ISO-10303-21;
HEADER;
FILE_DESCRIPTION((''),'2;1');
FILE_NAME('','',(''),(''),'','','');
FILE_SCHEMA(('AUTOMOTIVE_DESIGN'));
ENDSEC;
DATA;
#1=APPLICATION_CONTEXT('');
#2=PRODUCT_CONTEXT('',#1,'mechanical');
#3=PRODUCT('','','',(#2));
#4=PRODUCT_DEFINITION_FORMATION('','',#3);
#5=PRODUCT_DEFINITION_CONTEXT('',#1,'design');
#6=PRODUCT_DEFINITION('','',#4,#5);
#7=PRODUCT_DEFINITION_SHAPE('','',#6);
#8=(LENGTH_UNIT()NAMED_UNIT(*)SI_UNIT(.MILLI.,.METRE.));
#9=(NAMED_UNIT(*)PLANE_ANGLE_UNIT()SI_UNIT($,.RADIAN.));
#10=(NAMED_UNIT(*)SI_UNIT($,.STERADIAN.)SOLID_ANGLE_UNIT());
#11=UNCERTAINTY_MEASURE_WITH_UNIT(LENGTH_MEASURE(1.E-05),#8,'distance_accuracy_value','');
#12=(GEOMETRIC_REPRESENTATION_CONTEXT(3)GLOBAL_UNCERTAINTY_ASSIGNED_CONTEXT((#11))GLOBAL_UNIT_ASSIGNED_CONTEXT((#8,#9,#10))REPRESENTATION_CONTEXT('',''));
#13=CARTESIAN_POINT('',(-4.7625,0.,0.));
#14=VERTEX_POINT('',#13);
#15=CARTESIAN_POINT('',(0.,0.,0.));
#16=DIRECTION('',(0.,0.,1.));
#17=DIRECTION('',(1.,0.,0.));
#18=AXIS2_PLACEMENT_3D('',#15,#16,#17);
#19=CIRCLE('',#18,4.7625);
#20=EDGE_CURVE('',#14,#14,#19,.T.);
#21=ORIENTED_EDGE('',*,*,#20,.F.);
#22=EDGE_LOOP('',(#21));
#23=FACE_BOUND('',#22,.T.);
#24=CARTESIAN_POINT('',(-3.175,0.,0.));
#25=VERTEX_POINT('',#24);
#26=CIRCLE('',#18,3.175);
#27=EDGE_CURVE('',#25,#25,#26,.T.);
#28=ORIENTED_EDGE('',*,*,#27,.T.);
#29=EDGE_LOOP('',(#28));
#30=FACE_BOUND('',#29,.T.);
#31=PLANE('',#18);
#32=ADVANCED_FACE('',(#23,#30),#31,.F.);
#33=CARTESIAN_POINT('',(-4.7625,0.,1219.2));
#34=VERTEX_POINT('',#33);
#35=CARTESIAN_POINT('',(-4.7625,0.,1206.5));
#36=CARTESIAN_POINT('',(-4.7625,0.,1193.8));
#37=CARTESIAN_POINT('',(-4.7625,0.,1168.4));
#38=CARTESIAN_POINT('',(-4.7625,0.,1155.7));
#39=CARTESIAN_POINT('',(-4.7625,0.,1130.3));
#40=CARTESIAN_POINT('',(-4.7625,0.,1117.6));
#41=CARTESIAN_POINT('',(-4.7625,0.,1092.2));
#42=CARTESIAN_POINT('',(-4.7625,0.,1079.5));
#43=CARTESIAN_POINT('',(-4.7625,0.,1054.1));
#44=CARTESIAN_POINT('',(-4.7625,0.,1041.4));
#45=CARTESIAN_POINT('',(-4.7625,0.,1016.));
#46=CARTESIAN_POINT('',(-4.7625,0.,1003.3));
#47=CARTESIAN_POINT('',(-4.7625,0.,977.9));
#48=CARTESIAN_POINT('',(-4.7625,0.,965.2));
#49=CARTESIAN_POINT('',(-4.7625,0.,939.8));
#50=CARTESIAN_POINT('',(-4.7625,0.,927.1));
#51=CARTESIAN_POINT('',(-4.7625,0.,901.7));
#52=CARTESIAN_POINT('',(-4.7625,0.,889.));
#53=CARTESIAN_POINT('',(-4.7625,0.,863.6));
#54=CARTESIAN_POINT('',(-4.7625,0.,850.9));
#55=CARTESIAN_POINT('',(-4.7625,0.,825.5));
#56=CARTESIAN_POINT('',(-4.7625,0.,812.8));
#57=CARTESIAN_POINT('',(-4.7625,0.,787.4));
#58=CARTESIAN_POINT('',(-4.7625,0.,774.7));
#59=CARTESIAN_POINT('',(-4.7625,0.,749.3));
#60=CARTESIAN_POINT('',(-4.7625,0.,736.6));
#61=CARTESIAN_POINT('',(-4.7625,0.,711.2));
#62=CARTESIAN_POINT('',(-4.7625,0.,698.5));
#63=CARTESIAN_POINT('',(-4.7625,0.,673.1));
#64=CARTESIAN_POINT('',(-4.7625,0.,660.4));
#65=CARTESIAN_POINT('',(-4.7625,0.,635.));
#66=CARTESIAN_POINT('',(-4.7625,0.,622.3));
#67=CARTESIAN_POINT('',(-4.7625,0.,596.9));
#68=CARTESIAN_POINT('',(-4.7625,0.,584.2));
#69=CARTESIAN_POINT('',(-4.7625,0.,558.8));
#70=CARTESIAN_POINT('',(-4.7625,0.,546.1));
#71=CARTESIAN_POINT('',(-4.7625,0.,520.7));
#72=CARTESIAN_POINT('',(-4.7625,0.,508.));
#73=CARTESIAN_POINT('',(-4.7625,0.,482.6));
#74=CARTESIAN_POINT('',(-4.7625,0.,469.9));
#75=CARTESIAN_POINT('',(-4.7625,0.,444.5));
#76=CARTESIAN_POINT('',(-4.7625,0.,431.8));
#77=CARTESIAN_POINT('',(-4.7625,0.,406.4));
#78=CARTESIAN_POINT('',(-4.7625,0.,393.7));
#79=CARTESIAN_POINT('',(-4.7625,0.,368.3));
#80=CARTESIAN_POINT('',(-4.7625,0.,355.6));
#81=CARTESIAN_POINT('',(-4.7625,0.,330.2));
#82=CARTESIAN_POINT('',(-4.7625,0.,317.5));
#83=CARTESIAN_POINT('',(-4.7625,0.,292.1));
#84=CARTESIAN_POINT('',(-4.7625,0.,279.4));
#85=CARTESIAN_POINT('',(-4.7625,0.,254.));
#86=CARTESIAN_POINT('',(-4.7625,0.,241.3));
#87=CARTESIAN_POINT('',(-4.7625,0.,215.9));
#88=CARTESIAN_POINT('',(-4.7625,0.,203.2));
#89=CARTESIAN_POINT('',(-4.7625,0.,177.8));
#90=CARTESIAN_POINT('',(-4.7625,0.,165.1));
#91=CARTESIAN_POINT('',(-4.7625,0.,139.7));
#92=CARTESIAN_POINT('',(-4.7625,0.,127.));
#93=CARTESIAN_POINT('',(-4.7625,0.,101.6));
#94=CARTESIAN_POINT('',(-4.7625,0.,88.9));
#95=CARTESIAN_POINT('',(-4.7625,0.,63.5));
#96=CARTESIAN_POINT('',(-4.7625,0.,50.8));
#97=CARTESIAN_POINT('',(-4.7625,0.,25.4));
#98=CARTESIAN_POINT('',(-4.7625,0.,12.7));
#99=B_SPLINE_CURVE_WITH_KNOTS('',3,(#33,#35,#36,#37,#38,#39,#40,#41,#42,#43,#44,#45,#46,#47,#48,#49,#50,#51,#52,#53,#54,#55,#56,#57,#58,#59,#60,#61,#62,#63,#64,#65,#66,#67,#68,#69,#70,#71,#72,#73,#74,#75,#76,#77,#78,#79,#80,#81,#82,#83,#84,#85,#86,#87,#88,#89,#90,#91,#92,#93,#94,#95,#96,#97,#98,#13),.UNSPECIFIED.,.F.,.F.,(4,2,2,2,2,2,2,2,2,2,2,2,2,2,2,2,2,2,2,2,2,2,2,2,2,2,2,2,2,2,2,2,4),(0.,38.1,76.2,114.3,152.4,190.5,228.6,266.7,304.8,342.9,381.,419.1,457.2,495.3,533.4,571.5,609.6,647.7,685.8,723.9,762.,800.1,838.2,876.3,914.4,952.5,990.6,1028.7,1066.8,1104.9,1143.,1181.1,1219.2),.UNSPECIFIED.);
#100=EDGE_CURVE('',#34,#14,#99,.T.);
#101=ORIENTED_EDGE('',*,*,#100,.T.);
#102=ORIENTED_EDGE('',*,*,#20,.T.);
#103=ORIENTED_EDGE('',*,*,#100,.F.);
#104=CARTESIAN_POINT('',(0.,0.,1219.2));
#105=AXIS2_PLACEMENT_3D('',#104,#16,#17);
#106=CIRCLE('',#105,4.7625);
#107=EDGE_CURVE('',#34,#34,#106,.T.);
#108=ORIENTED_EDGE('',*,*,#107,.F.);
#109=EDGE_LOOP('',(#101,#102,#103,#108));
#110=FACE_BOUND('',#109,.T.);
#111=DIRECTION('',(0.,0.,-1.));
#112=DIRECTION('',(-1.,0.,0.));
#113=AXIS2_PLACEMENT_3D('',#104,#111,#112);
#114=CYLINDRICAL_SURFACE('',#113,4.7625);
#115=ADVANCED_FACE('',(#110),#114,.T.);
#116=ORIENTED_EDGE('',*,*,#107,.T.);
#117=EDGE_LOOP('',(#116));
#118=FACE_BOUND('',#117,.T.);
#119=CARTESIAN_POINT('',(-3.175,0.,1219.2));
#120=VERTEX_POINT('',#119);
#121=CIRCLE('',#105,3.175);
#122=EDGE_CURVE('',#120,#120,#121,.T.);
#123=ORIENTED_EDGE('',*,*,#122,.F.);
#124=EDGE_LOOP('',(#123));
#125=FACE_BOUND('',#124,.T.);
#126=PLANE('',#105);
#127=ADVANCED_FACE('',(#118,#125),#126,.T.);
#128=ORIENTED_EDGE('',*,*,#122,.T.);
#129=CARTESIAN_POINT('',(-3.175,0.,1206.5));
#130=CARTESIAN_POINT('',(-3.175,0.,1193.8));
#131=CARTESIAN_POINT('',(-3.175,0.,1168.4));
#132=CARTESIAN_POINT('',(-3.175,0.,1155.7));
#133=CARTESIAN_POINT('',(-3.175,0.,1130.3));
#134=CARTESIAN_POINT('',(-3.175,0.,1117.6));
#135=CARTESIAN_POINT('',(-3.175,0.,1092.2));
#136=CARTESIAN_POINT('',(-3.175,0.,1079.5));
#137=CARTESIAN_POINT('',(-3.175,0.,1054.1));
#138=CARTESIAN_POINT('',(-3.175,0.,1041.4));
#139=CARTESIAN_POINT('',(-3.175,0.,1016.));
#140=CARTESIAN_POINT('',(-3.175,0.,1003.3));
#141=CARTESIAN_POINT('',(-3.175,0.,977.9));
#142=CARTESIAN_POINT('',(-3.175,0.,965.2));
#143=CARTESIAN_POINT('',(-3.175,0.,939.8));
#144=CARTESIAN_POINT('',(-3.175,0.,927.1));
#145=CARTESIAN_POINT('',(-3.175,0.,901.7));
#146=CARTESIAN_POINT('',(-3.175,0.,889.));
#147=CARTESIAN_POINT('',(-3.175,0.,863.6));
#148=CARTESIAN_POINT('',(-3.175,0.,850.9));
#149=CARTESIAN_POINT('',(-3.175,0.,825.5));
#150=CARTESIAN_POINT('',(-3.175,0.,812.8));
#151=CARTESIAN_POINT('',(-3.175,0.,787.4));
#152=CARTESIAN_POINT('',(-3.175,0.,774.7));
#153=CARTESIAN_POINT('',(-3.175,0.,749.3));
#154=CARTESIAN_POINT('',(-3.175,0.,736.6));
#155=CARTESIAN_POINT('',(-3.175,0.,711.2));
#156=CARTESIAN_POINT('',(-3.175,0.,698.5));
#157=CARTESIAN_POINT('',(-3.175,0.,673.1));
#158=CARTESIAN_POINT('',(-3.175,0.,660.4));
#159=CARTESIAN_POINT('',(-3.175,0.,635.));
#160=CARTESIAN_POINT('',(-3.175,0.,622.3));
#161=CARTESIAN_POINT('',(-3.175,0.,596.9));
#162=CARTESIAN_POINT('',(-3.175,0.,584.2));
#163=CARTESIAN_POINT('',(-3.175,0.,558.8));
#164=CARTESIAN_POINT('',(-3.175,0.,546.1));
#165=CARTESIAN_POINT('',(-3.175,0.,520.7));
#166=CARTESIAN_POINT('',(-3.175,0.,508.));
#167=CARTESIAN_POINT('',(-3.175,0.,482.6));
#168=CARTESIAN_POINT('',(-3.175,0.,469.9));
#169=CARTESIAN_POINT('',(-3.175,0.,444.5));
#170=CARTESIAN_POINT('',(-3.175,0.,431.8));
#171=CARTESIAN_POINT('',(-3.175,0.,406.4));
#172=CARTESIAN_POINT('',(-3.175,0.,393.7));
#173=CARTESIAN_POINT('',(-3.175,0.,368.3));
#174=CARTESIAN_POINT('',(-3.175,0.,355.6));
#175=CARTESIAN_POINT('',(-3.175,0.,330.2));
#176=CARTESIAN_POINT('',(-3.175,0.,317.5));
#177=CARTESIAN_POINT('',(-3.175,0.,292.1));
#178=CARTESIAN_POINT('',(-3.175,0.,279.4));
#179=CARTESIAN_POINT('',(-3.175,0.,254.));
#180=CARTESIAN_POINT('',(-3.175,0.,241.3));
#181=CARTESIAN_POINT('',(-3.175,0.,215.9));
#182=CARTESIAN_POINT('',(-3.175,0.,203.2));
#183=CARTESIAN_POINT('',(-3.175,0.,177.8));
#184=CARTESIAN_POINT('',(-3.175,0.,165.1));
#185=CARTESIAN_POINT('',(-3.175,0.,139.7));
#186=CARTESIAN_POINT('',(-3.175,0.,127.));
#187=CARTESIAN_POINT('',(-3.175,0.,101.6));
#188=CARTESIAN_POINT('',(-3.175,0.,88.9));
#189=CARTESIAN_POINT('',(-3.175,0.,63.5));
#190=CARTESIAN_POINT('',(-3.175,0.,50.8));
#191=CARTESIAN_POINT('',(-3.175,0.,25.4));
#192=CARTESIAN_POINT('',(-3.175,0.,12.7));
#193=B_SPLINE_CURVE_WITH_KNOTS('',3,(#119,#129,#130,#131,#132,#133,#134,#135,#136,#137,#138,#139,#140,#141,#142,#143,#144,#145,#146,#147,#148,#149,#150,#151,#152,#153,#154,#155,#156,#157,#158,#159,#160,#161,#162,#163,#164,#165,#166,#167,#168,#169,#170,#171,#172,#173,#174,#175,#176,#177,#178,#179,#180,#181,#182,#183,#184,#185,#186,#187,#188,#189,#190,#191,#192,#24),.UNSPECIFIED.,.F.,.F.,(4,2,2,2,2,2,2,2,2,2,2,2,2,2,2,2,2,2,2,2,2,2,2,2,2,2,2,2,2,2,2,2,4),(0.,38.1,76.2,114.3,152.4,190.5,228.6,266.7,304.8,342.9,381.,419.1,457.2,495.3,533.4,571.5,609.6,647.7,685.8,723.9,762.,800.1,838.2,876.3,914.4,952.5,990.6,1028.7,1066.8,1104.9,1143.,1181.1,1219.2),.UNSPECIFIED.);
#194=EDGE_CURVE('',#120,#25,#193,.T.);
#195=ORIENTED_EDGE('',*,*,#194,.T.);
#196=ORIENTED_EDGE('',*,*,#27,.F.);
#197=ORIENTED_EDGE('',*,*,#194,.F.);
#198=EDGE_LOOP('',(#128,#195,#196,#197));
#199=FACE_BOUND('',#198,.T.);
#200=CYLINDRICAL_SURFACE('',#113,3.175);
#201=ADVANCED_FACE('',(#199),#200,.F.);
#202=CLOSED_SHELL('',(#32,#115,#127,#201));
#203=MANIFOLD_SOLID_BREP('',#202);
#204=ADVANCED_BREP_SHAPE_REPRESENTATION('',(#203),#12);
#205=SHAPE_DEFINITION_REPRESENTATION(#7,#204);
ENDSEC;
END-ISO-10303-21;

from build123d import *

# Parameters (mm, degrees)
SKETCH1_R           = 4.7625
SKETCH1_R_2         = 3.175
BOSS_EXTRUDE1_DEPTH = 1219.2


with BuildPart() as part:
    # Sketch1 → Boss-Extrude1 (new body)
    with BuildSketch(Plane.XY):
        with Locations(Location((0, 0, 0), (0, 0, 180))):
            Circle(SKETCH1_R)
        with Locations(Location((0, 0, 0), (0, 0, 180))):
            Circle(SKETCH1_R_2, mode=Mode.SUBTRACT)
    extrude(amount=BOSS_EXTRUDE1_DEPTH)


solid = part.part
